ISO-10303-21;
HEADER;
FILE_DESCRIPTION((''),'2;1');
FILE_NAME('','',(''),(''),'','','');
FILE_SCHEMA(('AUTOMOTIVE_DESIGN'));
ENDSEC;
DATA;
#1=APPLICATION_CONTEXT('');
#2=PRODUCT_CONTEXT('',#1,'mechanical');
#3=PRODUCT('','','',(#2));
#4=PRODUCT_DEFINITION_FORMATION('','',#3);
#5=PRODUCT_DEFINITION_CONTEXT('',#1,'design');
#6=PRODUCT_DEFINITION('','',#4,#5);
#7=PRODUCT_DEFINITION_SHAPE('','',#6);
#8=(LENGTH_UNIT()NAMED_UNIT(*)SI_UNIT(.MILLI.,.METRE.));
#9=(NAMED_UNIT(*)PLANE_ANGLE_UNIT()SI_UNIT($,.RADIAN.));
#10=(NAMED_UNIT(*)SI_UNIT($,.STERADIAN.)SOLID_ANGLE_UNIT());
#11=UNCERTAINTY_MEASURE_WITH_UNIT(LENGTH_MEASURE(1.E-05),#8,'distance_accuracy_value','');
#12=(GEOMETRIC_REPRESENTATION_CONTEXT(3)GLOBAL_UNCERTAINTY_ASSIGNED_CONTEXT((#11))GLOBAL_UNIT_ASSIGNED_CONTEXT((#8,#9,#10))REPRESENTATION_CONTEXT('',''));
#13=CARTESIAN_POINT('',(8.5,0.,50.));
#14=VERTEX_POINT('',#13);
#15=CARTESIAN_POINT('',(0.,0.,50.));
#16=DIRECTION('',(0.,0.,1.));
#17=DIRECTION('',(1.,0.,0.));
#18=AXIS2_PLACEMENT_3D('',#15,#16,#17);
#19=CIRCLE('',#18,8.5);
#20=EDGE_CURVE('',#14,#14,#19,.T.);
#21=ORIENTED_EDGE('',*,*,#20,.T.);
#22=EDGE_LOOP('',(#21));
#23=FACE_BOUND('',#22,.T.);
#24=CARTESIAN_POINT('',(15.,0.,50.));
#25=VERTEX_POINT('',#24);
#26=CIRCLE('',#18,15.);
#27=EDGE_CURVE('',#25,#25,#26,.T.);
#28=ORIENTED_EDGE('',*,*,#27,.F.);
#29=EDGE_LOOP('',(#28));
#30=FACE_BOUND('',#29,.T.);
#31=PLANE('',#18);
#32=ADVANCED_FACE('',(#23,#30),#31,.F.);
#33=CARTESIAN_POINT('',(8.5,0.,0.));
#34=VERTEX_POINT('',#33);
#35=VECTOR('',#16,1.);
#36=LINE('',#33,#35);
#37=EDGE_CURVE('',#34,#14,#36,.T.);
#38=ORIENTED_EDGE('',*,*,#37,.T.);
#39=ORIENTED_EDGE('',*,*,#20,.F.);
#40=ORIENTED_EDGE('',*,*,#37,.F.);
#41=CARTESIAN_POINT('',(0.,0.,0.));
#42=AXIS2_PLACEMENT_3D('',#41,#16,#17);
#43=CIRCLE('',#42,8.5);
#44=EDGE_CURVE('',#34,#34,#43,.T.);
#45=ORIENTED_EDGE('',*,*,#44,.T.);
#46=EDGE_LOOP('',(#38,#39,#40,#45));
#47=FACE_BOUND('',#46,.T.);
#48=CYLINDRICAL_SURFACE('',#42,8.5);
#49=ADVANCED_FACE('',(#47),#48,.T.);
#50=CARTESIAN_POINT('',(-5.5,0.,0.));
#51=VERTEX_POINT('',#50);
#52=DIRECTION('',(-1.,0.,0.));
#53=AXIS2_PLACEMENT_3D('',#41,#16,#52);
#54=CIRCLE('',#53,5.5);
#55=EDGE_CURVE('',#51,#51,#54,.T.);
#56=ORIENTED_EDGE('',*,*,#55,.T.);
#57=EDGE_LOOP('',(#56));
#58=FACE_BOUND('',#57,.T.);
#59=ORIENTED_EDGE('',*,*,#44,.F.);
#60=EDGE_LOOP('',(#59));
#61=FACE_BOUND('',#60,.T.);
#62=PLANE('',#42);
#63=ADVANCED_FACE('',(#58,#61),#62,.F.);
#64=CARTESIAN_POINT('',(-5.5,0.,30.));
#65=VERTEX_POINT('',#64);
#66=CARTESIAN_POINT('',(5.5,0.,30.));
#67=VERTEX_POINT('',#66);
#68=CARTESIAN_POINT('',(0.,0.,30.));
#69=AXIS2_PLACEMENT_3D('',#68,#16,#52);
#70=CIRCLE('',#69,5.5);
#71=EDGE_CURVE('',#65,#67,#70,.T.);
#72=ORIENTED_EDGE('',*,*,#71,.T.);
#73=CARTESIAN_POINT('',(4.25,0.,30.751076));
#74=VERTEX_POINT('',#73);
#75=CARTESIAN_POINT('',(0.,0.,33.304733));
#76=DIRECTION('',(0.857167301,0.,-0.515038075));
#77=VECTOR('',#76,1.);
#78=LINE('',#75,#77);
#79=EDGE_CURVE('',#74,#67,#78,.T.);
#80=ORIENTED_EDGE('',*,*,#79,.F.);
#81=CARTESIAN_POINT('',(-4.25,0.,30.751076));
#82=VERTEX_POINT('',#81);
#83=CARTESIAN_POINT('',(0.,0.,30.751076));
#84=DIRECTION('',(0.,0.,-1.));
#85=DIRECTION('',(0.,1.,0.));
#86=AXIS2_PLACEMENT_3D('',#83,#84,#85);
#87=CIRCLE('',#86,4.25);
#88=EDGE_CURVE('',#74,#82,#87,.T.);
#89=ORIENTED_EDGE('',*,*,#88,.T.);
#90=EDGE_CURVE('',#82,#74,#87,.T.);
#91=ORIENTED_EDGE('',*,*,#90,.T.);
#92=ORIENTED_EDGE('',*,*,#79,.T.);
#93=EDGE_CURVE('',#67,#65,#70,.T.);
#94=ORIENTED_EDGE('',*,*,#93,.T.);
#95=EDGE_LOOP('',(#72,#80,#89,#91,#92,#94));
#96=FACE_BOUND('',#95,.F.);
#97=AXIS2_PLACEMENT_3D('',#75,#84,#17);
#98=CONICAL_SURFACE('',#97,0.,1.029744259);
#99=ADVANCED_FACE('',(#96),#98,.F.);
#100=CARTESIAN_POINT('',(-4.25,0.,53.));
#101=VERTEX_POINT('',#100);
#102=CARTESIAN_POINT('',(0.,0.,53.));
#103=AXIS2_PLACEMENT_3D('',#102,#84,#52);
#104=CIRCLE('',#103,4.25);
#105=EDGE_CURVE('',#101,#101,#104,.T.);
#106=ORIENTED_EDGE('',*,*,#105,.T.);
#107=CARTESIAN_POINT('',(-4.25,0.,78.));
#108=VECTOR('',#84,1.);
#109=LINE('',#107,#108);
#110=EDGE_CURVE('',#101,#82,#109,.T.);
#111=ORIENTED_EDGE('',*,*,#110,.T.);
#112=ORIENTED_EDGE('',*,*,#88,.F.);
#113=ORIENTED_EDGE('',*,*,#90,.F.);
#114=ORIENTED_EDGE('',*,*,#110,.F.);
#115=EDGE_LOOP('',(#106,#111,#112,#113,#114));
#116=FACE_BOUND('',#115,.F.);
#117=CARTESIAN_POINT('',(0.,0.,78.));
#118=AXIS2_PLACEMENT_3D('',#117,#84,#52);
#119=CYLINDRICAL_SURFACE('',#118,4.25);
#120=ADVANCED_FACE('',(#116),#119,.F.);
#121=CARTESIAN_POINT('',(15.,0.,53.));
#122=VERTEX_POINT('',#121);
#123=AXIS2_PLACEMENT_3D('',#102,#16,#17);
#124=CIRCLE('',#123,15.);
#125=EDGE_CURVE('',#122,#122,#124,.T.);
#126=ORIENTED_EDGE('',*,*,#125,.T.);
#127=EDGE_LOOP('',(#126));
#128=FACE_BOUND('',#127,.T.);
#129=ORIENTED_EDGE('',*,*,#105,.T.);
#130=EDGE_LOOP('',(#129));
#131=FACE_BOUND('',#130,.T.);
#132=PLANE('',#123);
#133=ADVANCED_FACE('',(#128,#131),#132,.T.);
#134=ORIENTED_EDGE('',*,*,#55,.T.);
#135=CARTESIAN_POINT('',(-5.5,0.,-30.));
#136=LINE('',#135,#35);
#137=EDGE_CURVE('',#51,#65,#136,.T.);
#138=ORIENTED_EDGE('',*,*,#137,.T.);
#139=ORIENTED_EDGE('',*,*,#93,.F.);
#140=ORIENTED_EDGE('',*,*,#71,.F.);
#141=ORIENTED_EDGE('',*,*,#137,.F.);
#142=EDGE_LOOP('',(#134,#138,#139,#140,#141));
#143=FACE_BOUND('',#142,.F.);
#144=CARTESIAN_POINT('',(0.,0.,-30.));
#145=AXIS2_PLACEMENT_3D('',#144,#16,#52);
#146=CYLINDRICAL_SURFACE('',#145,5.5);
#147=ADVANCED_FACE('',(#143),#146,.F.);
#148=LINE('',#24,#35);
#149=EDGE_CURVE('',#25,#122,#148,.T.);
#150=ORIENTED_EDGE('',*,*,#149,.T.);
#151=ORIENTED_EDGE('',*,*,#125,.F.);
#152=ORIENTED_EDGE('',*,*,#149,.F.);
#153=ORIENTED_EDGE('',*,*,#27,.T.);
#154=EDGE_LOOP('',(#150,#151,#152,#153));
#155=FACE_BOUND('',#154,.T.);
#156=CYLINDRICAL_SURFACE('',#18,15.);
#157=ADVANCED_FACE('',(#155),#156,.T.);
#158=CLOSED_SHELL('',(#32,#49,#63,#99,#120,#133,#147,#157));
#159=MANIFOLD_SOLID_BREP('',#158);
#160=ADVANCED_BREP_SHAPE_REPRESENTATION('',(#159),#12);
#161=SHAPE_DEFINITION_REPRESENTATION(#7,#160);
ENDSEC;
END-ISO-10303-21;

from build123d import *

# Parameters (mm, degrees)
F3_D     = 8.5
F3_DEPTH = 25
F3_TIP   = 2.5536576309
F5_D     = 11
F5_DEPTH = 30
F5_TIP   = 3.3047334047


with BuildPart() as f1:
    # F0 (on Front) → F1 (revolve)
    with BuildSketch(Plane.XZ):
        Polygon((0, 53), (0, 0), (8.5, 0), (8.5, 50), (15, 50), (15, 53), align=None)
    revolve(axis=Axis((0, 0, 35.806838423), (0, 0, 1)))

    # F3
    with Locations(Plane.XY.offset(53)):
        with Locations((0, 0)):
            Hole(F3_D / 2, depth=F3_DEPTH)
            with Locations((0, 0, -(F3_DEPTH + F3_TIP / 2))):  # 118° drill point
                Cone(0, F3_D / 2, F3_TIP, mode=Mode.SUBTRACT)

    # F5
    with Locations(Plane(origin=(0, 0, 0), x_dir=(1, 0, 0), z_dir=(0, 0, -1))):
        with Locations((0, 0)):
            Hole(F5_D / 2, depth=F5_DEPTH)
            with Locations((0, 0, -(F5_DEPTH + F5_TIP / 2))):  # 118° drill point
                Cone(0, F5_D / 2, F5_TIP, mode=Mode.SUBTRACT)


solid = f1.part
